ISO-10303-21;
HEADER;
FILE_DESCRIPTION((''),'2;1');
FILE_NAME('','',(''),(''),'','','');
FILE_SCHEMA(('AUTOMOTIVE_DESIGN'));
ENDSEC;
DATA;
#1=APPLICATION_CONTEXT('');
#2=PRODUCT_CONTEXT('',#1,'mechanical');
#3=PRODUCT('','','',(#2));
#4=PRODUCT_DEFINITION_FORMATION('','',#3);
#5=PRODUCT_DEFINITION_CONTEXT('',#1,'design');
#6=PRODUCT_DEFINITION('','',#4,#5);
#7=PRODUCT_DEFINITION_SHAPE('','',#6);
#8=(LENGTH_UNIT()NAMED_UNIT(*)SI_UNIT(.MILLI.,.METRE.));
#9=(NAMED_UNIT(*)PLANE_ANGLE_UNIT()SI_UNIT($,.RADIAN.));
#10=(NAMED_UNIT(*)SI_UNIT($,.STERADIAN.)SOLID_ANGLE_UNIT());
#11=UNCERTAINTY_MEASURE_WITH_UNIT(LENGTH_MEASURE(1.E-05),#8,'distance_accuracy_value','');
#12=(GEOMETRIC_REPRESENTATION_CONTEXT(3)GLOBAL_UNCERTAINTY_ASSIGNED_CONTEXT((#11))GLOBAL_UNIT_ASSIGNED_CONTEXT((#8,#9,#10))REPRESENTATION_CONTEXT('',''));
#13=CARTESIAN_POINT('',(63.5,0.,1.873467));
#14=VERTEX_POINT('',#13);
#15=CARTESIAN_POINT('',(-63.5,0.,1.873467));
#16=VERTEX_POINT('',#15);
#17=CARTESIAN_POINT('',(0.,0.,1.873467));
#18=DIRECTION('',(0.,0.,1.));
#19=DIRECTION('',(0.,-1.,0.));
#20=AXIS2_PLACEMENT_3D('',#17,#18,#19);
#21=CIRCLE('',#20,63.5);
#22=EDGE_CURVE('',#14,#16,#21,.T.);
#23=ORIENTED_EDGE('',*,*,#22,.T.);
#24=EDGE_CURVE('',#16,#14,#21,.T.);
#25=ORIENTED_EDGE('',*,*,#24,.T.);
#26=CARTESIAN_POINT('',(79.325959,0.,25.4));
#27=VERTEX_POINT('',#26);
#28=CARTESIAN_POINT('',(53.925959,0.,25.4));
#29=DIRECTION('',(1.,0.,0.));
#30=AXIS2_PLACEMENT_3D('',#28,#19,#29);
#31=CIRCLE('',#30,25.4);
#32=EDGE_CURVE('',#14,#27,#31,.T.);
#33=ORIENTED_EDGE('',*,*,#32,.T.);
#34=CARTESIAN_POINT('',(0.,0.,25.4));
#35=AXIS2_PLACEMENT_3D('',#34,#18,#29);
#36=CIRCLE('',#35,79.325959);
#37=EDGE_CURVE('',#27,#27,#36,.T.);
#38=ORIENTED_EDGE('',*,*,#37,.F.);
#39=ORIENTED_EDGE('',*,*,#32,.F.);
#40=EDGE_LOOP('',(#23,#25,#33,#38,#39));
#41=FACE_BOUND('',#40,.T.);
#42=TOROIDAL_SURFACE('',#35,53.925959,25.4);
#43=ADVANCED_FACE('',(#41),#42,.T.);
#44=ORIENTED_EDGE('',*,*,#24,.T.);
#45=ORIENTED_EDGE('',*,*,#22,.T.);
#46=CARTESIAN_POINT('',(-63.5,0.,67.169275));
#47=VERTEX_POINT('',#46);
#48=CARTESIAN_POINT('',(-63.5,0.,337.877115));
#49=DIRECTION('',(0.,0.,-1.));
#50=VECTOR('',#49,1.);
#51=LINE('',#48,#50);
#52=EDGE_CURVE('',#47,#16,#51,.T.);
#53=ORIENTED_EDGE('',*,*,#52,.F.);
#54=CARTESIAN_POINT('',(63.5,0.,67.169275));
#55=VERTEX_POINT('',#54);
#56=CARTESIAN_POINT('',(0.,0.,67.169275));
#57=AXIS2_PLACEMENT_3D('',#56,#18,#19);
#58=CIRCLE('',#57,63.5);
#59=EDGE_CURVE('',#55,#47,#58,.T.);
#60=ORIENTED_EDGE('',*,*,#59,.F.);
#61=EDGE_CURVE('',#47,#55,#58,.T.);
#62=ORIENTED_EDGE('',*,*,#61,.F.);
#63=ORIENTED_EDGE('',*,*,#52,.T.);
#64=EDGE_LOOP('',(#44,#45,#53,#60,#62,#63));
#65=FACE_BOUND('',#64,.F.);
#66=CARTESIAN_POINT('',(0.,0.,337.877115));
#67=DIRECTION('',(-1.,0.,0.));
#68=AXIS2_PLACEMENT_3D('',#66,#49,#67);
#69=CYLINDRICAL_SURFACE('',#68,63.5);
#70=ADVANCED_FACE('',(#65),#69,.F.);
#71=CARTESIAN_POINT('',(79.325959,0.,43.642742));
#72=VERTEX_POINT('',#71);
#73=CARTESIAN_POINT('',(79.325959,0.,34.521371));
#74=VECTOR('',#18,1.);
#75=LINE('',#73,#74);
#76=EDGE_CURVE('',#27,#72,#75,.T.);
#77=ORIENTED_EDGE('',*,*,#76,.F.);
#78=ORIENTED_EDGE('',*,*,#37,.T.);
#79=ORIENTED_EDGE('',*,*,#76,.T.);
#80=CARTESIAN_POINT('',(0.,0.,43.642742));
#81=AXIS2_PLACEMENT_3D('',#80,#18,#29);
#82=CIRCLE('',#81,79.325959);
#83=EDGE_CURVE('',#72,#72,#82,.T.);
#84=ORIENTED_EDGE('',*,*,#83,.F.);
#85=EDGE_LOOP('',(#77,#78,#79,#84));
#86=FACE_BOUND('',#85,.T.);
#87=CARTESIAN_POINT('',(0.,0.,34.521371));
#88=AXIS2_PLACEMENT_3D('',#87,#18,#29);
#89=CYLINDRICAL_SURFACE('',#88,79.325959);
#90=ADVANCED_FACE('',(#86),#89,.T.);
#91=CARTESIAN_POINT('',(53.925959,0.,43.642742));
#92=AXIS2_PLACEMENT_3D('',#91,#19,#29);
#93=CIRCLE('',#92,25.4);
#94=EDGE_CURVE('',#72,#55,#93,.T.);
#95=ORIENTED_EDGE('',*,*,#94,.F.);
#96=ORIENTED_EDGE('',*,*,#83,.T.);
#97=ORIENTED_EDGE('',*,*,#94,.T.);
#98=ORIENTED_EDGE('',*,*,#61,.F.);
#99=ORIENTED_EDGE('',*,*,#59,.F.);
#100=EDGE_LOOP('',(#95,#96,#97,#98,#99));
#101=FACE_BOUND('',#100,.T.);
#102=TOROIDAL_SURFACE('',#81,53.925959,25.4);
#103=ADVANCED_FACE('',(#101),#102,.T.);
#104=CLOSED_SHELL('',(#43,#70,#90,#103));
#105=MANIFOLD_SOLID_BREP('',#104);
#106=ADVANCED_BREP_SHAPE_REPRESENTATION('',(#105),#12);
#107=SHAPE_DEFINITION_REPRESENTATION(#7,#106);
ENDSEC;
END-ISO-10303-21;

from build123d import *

# Parameters (mm, degrees)
F0_W     = 79.3259590864
F0_H     = 69.0427422523
F2_R     = 25.4
F3_DEPTH = 25.4
F5_D     = 127


with BuildPart() as f1:
    # F0 (on Front) → F1 (revolve)
    with BuildSketch(Plane.XZ):
        with Locations((39.6629795432, 34.5213711262)):
            Rectangle(F0_W, F0_H)
    revolve(axis=Axis((0, 0, 34.5213711262), (0, 0, 1)))

    # F2
    f2_edges = [f1.edges().sort_by_distance(p)[0] for p in [
        (-79.325959, 0, 0),
        (-79.325959, 0, 69.042742),
        (79.325959, 0, 34.521371),
    ]]
    fillet(f2_edges, radius=F2_R)

    # F3 (add): a face of the model
    f3_faces = [f1.faces().sort_by_distance(p)[0] for p in [
        (0, 0, 69.0427422523),
    ]]
    extrude(f3_faces, amount=F3_DEPTH)

    # F5 (through all)
    with Locations(Plane.XY.offset(94.4427422523)):
        with Locations((0, 0)):
            Hole(F5_D / 2)


solid = f1.part
